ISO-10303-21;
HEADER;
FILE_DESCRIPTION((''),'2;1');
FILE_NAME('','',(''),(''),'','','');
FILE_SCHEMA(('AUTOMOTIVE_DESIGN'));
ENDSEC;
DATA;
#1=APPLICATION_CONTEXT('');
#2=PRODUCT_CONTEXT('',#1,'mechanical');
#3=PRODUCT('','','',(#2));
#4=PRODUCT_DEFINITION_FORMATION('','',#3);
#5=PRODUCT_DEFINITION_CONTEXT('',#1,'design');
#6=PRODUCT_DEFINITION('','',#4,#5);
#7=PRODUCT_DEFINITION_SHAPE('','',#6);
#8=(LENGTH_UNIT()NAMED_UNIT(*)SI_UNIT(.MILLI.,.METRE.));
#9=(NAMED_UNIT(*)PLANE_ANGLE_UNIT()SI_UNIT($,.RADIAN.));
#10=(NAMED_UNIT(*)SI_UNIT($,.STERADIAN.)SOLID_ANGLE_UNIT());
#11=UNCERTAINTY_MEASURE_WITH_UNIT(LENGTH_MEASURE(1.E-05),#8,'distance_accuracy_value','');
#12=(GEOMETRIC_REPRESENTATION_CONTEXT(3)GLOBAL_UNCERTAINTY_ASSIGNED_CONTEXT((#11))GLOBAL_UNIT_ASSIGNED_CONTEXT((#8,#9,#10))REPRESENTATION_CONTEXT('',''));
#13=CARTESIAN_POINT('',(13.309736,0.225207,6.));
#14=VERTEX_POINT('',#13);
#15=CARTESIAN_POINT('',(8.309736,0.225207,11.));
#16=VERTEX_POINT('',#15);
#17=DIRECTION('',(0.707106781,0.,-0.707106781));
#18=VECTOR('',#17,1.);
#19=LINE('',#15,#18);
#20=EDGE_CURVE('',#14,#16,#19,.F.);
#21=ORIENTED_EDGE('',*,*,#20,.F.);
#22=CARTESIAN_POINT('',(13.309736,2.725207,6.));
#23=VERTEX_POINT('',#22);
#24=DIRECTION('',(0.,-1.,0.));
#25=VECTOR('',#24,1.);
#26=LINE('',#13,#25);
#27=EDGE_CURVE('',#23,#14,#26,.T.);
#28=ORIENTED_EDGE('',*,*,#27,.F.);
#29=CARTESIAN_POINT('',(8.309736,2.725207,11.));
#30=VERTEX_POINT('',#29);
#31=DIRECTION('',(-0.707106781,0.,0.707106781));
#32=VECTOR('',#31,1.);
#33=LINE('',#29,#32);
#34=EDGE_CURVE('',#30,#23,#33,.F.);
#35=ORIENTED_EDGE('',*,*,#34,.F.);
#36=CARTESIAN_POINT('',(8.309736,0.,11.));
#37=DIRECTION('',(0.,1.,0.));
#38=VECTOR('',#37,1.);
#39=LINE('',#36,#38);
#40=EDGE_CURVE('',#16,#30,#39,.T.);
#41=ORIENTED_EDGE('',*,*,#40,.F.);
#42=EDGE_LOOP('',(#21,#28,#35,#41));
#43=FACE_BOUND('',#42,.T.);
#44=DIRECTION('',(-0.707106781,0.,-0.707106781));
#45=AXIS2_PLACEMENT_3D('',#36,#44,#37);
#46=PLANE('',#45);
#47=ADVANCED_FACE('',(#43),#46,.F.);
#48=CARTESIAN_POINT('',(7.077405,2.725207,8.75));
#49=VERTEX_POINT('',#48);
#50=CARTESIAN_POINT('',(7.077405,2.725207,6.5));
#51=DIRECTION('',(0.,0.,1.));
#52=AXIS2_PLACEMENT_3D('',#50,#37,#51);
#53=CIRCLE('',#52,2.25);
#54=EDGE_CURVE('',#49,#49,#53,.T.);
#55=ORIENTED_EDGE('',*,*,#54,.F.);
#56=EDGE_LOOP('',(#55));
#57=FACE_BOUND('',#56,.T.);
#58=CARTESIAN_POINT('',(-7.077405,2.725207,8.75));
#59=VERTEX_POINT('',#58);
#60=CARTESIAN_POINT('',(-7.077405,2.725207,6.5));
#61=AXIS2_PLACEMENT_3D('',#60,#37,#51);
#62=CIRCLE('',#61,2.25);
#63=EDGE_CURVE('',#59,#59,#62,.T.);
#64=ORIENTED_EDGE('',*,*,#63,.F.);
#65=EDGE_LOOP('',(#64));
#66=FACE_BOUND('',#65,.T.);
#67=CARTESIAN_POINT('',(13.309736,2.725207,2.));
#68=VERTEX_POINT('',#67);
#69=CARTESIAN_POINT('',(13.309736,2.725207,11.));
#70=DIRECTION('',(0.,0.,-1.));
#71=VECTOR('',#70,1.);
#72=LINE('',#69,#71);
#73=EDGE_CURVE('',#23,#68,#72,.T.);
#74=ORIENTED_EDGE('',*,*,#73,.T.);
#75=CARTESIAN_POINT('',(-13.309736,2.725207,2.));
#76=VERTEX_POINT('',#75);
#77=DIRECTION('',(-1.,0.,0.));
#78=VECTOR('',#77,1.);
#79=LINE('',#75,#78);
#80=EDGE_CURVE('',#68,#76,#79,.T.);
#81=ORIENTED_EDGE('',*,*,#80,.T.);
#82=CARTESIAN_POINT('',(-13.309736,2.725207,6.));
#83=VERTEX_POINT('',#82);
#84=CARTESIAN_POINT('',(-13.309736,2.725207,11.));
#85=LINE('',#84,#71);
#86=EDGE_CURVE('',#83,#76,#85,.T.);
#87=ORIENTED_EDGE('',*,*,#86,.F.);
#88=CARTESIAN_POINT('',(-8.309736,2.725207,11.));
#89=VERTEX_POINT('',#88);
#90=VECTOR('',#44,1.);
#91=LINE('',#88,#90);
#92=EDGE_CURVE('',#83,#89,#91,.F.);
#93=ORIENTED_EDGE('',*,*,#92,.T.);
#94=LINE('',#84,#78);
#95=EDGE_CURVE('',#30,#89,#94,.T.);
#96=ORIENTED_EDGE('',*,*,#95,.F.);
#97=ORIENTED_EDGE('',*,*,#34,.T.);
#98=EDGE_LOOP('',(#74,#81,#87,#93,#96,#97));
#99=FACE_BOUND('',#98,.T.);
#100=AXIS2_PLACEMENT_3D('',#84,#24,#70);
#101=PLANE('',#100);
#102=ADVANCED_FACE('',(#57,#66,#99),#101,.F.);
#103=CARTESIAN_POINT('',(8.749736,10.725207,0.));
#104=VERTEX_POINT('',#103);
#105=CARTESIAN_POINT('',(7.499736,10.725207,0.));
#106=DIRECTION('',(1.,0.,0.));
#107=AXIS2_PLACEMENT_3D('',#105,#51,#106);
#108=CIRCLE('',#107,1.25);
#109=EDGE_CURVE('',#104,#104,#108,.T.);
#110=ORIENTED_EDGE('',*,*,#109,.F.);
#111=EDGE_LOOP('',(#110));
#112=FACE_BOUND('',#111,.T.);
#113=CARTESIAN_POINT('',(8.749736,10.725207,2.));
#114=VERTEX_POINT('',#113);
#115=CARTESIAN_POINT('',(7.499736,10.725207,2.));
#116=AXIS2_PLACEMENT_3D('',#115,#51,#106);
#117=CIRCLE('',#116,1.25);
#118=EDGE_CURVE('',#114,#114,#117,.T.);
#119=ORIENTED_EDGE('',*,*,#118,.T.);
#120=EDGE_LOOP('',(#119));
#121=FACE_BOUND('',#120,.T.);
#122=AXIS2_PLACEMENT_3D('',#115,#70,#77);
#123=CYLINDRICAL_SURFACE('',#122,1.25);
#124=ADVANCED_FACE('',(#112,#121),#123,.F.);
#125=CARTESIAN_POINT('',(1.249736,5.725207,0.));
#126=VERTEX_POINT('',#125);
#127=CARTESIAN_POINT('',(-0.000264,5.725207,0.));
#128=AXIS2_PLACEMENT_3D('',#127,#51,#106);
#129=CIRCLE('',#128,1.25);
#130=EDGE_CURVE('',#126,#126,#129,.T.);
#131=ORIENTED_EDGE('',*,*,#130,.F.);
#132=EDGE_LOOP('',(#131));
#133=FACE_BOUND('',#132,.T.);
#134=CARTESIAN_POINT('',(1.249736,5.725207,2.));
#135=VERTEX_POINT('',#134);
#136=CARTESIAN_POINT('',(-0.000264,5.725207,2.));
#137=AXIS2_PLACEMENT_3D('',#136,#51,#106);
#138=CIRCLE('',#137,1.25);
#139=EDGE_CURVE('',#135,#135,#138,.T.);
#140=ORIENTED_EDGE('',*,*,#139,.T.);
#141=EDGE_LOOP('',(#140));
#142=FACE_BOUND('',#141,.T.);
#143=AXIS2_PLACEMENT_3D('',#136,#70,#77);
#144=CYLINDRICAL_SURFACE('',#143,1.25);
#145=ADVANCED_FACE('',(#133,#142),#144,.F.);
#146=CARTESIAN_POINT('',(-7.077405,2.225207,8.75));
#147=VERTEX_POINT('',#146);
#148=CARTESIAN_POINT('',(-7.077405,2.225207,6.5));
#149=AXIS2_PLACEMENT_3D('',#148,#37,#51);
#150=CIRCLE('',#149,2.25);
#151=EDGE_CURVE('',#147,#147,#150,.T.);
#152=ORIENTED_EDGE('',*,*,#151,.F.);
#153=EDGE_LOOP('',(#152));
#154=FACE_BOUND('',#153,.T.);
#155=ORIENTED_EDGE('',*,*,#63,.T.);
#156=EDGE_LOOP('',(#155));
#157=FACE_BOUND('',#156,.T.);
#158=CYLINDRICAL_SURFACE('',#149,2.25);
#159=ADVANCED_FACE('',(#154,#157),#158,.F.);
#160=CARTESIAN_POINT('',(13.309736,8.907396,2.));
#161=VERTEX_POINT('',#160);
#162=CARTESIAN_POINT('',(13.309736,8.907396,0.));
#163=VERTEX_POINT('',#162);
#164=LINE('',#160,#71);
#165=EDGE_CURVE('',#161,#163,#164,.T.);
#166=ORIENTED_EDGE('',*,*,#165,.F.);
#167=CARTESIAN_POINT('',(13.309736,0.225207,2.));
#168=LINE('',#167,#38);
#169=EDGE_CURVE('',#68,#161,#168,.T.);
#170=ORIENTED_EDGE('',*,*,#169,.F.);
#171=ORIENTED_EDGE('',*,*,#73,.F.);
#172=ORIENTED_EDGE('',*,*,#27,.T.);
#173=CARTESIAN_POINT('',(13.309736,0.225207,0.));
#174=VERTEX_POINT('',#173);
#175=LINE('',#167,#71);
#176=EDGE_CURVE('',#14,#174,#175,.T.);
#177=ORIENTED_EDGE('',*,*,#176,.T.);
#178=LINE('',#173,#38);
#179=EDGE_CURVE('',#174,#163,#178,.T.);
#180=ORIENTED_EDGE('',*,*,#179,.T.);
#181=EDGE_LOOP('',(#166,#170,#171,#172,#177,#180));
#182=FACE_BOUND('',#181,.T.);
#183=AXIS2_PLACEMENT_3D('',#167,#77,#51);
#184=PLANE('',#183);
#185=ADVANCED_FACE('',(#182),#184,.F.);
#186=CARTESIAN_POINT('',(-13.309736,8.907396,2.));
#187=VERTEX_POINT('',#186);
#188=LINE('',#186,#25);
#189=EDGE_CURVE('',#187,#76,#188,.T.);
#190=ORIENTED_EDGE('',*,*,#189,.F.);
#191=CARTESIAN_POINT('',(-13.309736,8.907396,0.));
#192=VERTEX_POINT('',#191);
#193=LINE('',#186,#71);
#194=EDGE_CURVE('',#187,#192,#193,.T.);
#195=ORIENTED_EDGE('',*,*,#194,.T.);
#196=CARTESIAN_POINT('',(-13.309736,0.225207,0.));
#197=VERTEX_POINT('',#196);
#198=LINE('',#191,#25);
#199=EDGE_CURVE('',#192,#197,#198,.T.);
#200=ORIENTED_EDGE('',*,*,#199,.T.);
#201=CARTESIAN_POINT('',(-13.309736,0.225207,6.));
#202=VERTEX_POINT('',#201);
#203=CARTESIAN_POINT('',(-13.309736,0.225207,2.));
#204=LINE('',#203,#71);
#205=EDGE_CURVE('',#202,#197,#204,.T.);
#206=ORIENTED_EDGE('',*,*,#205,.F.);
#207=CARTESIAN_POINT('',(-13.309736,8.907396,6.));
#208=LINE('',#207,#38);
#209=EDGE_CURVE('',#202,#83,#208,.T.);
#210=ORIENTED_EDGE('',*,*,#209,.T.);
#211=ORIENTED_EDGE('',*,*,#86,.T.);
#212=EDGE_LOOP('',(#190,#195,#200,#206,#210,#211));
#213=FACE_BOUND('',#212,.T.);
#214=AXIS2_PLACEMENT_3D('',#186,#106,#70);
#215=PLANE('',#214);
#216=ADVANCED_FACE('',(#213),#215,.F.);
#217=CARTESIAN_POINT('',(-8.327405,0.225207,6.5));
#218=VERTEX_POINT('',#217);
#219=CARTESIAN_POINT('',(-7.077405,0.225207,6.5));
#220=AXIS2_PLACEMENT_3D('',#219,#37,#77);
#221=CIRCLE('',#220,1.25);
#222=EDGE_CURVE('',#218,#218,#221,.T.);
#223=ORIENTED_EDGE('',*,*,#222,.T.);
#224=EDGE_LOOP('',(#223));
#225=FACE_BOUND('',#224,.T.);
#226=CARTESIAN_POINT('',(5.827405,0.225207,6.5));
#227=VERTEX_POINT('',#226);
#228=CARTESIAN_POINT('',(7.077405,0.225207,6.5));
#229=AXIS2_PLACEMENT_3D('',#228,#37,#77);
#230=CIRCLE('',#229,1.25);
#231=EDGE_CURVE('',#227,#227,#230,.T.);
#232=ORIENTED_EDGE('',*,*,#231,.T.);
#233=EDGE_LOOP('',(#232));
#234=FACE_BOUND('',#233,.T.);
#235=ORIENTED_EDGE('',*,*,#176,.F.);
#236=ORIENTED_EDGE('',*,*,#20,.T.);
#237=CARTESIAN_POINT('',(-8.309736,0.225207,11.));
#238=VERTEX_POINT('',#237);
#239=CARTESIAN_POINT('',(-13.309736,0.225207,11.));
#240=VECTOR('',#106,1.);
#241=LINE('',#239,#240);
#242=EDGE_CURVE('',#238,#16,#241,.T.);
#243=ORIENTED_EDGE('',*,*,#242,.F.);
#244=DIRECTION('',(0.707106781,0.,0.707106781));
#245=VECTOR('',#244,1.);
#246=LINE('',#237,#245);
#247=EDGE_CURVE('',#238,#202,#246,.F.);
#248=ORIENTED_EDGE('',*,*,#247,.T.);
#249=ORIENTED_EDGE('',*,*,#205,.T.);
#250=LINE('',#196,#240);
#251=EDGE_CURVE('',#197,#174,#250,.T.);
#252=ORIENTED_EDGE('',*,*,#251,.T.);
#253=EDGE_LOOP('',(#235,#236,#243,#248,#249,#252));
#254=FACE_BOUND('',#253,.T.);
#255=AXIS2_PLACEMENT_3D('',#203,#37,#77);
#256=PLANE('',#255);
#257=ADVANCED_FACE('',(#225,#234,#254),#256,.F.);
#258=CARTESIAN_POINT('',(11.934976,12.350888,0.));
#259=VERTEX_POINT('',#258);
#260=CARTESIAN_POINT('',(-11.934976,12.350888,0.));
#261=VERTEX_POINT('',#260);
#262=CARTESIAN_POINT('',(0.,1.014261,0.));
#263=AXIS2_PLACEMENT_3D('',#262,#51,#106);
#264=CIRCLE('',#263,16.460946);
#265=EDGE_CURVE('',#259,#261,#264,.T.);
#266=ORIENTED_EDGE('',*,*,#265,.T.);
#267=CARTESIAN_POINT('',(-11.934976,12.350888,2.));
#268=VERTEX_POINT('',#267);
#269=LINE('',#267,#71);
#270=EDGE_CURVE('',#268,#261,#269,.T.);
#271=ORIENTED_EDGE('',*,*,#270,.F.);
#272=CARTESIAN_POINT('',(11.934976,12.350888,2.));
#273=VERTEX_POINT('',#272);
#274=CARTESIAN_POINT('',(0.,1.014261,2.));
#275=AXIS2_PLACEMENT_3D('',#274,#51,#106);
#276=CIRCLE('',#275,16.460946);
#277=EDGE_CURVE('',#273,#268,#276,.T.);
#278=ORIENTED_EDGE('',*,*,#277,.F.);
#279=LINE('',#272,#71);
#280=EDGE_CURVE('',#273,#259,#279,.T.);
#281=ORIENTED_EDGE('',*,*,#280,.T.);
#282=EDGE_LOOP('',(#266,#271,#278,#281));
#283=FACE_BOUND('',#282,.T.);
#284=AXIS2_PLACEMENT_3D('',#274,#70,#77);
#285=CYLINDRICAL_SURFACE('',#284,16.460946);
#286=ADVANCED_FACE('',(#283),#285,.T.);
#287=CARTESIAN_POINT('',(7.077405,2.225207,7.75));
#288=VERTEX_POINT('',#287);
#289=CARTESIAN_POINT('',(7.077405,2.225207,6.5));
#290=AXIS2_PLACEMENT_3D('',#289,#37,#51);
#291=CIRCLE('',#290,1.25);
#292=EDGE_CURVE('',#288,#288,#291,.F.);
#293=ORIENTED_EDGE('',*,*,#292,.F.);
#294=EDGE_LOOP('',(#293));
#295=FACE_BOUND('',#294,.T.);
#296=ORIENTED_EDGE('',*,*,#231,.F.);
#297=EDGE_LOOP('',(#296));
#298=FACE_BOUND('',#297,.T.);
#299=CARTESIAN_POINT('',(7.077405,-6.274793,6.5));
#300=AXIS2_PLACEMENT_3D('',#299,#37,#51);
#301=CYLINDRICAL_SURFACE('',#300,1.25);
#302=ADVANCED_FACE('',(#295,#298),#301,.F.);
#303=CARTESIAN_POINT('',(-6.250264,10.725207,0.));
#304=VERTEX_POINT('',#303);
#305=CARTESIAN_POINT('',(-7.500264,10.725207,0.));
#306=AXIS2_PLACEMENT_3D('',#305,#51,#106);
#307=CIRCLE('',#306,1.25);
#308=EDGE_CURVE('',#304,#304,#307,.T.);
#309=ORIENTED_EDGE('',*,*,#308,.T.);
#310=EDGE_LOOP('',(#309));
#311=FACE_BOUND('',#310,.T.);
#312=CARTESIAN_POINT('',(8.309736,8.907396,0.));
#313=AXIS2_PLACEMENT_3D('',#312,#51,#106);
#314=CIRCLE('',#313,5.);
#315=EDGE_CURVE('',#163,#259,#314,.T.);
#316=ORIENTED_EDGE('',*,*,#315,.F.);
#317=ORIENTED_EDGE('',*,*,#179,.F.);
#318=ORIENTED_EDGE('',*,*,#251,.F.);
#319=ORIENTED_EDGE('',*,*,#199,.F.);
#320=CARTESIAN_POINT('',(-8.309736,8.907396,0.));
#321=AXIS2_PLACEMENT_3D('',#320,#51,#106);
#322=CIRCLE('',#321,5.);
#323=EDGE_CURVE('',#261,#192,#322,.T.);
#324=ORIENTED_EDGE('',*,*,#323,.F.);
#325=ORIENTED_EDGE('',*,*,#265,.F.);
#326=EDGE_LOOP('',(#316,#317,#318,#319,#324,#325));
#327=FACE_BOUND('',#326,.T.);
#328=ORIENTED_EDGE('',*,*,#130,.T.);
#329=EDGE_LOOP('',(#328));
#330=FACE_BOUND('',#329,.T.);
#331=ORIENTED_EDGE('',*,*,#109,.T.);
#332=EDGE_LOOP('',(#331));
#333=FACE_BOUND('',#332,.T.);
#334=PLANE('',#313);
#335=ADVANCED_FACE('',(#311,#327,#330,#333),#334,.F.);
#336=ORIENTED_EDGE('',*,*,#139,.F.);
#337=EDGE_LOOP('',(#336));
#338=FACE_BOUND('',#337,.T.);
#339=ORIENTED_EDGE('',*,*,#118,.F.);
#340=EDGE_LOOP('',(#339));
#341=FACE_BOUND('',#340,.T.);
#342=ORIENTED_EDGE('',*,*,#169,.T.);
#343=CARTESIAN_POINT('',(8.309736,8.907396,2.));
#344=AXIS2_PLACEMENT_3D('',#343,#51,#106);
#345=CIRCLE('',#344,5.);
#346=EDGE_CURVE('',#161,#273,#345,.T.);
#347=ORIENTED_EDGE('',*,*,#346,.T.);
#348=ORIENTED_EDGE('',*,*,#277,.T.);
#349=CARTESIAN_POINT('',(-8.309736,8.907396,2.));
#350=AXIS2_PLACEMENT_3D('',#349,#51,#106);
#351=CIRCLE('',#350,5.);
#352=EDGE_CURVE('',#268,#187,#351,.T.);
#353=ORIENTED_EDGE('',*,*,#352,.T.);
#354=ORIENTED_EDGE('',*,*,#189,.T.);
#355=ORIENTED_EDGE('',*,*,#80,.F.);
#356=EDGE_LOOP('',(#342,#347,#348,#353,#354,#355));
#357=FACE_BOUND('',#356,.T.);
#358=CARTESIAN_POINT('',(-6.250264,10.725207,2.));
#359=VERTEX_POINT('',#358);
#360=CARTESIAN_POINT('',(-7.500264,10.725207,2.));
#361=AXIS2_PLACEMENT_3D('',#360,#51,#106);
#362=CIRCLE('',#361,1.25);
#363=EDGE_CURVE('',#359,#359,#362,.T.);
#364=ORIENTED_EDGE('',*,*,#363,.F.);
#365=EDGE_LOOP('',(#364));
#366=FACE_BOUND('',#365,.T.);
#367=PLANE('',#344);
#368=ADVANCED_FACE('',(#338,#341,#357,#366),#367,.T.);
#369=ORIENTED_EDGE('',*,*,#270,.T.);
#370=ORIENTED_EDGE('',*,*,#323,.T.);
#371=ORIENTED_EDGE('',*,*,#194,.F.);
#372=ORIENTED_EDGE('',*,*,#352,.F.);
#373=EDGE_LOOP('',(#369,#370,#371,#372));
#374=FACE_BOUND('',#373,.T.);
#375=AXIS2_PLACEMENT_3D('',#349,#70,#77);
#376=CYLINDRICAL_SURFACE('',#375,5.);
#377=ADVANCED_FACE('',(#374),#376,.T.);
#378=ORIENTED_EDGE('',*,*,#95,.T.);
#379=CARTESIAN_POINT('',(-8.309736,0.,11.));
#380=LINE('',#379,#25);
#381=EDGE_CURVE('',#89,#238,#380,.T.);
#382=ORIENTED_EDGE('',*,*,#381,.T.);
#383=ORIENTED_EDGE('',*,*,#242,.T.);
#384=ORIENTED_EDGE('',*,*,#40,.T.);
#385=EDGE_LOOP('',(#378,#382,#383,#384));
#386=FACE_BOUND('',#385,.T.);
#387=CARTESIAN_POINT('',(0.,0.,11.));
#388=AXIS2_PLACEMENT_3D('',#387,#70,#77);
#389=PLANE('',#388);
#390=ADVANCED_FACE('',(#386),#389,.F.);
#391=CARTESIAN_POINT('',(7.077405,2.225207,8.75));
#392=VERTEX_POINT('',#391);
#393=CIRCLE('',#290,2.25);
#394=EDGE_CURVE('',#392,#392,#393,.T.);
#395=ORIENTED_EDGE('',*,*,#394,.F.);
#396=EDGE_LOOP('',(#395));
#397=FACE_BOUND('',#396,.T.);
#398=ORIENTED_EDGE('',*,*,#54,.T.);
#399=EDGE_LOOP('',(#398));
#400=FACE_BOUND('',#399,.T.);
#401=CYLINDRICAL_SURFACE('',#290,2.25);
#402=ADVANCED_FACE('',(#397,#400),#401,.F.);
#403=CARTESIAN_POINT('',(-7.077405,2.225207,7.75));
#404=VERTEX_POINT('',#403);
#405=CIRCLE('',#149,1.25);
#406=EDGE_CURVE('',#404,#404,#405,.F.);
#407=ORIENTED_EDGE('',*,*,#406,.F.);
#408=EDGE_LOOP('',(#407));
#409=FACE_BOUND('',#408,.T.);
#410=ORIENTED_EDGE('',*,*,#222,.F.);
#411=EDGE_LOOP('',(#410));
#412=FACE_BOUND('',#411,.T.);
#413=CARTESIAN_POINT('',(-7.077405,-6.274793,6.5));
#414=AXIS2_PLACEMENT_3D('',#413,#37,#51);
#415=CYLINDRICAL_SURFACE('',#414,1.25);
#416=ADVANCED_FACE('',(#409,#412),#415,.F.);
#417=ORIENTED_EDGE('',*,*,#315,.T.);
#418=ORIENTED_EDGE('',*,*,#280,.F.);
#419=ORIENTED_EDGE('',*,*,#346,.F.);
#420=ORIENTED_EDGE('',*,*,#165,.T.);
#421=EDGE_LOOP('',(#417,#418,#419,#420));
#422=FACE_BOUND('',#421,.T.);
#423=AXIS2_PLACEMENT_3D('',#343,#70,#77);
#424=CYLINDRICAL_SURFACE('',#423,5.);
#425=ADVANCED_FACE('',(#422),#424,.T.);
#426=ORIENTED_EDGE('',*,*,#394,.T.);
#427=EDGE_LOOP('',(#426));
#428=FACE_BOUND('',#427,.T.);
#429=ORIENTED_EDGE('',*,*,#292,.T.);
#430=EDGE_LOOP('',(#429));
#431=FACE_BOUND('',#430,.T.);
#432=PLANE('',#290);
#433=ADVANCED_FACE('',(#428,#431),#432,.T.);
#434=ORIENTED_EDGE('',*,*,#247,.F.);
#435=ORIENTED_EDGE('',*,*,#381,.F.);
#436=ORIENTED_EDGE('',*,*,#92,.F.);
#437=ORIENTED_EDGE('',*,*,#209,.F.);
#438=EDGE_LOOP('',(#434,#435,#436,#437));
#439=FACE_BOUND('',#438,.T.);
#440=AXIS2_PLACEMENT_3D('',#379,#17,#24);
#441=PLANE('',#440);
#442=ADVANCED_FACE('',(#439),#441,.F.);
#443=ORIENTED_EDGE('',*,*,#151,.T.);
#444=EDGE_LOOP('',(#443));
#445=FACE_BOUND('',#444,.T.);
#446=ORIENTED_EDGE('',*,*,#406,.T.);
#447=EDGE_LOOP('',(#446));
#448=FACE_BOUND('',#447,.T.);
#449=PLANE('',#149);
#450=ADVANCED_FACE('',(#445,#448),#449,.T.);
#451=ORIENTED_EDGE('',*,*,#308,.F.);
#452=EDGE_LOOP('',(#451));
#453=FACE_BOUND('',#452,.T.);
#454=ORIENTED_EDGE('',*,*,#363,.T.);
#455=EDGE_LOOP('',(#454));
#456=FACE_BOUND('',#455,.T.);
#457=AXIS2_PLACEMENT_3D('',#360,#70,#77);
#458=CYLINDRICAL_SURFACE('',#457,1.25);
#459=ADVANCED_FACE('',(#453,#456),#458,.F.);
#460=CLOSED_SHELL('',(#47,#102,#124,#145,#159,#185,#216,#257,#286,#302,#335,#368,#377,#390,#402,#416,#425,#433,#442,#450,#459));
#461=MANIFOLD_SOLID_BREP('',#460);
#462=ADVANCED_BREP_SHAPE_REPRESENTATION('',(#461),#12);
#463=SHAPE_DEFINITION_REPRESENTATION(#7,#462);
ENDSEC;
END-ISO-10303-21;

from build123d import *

# Parameters (mm, degrees)
SKETCH1_R           = 1.25
BOSS_EXTRUDE1_DEPTH = 2
SKETCH2_W           = 26.619471542
SKETCH2_H           = 2.5
BOSS_EXTRUDE2_DEPTH = 9
SKETCH3_R           = 1.25
CUT_EXTRUDE1_DEPTH  = 9
SKETCH4_R           = 2.25
CUT_EXTRUDE2_DEPTH  = 0.5
CHAMFER1_SIZE       = 5


with BuildPart() as part:
    # Sketch1 → Boss-Extrude1 (new body)
    with BuildSketch(Plane.XY):
        with BuildLine():
            Line((-13.309735771, 0.225207445), (13.309735771, 0.225207445))
            Line((13.309735771, 0.225207445), (13.309735771, 8.907396156))
            ThreePointArc((13.309735771, 8.907396156), (12.953344247, 10.761284051), (11.934975641, 12.350887972))
            ThreePointArc((11.934975641, 12.350887972), (0, 17.475207445), (-11.934975641, 12.350887972))
            ThreePointArc((-11.934975641, 12.350887972), (-12.953344247, 10.761284051), (-13.309735771, 8.907396156))
            Line((-13.309735771, 8.907396156), (-13.309735771, 0.225207445))
        make_face()
        with Locations((7.499735771, 10.725207445)):
            Circle(SKETCH1_R, mode=Mode.SUBTRACT)
        with Locations((-7.500264229, 10.725207445)):
            Circle(SKETCH1_R, mode=Mode.SUBTRACT)
        with Locations((-0.000264229, 5.725207445)):
            Circle(SKETCH1_R, mode=Mode.SUBTRACT)
    extrude(amount=BOSS_EXTRUDE1_DEPTH)

    # Sketch2 → Boss-Extrude2 (add)
    with BuildSketch(Plane.XY.offset(2)):
        with Locations((0, 1.475207445)):
            Rectangle(SKETCH2_W, SKETCH2_H)
    extrude(amount=BOSS_EXTRUDE2_DEPTH)

    # Sketch3 → Cut-Extrude1 (cut)
    with BuildSketch(Plane(origin=(0, 2.725207445, 0), x_dir=(1, 0, 0), z_dir=(0, 1, 0))):
        with Locations(Location((-7.077404832, -6.5, 0), (0, 0, 270))):  # turned: the seam where the file's is
            Circle(SKETCH3_R)
        with Locations(Location((7.077404832, -6.5, 0), (0, 0, 270))):  # turned: the seam where the file's is
            Circle(SKETCH3_R)
    extrude(amount=-CUT_EXTRUDE1_DEPTH, mode=Mode.SUBTRACT)

    # Sketch4 → Cut-Extrude2 (cut)
    with BuildSketch(Plane(origin=(0, 2.725207445, 0), x_dir=(1, 0, 0), z_dir=(0, 1, 0))):
        with Locations(Location((-7.077404832, -6.5, 0), (0, 0, 270))):  # turned: the seam where the file's is
            Circle(SKETCH4_R)
        with Locations(Location((7.077404832, -6.5, 0), (0, 0, 270))):  # turned: the seam where the file's is
            Circle(SKETCH4_R)
    extrude(amount=-CUT_EXTRUDE2_DEPTH, mode=Mode.SUBTRACT)

    # Chamfer1
    chamfer1_edges = [part.edges().sort_by_distance(p)[0] for p in [
        (13.309735771, 1.475207445, 11),
        (-13.309735771, 1.475207445, 11),
    ]]
    chamfer(chamfer1_edges, length=CHAMFER1_SIZE)


solid = part.part
